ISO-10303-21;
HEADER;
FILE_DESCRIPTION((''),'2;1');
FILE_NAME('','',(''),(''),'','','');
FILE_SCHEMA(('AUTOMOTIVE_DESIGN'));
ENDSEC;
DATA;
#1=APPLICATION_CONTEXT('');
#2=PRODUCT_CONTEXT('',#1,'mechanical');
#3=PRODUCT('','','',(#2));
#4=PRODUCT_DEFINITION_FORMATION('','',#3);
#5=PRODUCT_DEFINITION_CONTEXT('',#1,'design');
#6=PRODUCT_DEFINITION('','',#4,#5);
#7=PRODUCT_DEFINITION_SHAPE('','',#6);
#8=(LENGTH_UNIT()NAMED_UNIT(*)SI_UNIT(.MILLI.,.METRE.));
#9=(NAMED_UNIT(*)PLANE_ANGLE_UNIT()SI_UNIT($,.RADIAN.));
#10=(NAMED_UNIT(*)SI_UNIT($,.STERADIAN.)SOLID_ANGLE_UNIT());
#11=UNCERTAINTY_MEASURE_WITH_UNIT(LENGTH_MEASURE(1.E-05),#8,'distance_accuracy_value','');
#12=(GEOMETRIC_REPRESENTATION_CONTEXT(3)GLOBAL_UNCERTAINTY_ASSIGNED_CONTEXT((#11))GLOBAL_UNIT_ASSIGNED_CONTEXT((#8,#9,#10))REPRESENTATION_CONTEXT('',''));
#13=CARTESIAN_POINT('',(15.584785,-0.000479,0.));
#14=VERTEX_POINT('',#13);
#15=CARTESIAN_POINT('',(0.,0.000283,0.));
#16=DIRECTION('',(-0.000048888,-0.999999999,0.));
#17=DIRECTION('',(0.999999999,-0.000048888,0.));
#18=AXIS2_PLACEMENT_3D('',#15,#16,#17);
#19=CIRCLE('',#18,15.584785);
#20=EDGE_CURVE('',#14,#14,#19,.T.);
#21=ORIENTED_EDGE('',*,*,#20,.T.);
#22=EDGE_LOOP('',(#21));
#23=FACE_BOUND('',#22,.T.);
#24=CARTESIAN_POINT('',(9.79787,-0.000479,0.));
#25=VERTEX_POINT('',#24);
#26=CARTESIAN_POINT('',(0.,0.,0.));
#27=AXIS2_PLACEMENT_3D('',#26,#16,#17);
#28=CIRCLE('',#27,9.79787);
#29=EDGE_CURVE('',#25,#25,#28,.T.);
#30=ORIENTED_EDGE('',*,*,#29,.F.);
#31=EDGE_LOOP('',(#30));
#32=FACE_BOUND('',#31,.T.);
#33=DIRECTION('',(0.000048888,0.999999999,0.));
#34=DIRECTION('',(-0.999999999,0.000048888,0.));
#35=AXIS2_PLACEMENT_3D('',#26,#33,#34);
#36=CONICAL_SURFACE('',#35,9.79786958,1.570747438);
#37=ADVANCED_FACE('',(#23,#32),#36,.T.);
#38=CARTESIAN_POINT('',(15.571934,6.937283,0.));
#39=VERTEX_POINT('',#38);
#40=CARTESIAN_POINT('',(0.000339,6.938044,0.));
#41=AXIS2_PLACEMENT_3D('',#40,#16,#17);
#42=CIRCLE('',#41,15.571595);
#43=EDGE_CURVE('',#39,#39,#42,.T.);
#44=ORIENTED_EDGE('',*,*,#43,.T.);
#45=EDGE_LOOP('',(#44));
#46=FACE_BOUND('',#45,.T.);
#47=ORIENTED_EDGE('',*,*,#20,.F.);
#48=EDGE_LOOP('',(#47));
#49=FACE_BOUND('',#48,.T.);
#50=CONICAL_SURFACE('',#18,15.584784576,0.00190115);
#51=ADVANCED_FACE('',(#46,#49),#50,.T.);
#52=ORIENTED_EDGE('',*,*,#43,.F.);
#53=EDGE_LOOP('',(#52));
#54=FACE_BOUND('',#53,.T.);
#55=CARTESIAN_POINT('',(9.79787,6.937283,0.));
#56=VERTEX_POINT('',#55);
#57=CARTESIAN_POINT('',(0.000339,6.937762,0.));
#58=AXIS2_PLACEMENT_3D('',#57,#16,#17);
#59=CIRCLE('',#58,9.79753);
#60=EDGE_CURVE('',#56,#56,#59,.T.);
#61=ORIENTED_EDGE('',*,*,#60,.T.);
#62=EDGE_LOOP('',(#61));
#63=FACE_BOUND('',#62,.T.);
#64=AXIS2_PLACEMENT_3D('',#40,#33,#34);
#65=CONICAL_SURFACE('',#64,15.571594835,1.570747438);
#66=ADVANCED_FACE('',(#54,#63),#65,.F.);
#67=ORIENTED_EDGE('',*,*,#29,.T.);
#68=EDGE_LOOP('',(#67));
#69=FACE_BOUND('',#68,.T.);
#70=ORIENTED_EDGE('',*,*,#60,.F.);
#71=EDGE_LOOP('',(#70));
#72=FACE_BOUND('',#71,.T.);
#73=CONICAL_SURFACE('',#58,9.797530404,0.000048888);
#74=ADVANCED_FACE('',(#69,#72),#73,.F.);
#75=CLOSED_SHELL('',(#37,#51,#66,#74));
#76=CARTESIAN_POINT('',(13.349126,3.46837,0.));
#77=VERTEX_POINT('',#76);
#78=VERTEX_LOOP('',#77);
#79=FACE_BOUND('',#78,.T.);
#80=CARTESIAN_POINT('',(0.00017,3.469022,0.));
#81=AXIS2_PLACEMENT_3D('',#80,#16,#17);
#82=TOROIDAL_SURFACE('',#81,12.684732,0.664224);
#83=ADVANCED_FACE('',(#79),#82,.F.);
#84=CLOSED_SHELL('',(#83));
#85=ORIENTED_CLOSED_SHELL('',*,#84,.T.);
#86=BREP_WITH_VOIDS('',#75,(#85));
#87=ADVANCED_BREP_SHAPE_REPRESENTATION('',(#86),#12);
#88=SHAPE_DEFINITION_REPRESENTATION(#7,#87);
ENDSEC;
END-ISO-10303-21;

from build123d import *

# Parameters (mm, degrees)
IZIM1_R = 0.664224489


with BuildPart() as part:
    # Çizim1 → Döndür1 (revolve)
    with BuildSketch(Plane.XY):
        Polygon((9.797869568, -0.000479001), (15.584784572, -0.000479001), (15.571934006, 6.937283218), (9.797869568, 6.937283218), align=None)
        with Locations((12.684901787, 3.468402108)):
            Circle(IZIM1_R, mode=Mode.SUBTRACT)
    revolve(axis=Axis((0, 0, 0), (4.888832334750329e-05, 0.9999999988049659, 0)))


solid = part.part
